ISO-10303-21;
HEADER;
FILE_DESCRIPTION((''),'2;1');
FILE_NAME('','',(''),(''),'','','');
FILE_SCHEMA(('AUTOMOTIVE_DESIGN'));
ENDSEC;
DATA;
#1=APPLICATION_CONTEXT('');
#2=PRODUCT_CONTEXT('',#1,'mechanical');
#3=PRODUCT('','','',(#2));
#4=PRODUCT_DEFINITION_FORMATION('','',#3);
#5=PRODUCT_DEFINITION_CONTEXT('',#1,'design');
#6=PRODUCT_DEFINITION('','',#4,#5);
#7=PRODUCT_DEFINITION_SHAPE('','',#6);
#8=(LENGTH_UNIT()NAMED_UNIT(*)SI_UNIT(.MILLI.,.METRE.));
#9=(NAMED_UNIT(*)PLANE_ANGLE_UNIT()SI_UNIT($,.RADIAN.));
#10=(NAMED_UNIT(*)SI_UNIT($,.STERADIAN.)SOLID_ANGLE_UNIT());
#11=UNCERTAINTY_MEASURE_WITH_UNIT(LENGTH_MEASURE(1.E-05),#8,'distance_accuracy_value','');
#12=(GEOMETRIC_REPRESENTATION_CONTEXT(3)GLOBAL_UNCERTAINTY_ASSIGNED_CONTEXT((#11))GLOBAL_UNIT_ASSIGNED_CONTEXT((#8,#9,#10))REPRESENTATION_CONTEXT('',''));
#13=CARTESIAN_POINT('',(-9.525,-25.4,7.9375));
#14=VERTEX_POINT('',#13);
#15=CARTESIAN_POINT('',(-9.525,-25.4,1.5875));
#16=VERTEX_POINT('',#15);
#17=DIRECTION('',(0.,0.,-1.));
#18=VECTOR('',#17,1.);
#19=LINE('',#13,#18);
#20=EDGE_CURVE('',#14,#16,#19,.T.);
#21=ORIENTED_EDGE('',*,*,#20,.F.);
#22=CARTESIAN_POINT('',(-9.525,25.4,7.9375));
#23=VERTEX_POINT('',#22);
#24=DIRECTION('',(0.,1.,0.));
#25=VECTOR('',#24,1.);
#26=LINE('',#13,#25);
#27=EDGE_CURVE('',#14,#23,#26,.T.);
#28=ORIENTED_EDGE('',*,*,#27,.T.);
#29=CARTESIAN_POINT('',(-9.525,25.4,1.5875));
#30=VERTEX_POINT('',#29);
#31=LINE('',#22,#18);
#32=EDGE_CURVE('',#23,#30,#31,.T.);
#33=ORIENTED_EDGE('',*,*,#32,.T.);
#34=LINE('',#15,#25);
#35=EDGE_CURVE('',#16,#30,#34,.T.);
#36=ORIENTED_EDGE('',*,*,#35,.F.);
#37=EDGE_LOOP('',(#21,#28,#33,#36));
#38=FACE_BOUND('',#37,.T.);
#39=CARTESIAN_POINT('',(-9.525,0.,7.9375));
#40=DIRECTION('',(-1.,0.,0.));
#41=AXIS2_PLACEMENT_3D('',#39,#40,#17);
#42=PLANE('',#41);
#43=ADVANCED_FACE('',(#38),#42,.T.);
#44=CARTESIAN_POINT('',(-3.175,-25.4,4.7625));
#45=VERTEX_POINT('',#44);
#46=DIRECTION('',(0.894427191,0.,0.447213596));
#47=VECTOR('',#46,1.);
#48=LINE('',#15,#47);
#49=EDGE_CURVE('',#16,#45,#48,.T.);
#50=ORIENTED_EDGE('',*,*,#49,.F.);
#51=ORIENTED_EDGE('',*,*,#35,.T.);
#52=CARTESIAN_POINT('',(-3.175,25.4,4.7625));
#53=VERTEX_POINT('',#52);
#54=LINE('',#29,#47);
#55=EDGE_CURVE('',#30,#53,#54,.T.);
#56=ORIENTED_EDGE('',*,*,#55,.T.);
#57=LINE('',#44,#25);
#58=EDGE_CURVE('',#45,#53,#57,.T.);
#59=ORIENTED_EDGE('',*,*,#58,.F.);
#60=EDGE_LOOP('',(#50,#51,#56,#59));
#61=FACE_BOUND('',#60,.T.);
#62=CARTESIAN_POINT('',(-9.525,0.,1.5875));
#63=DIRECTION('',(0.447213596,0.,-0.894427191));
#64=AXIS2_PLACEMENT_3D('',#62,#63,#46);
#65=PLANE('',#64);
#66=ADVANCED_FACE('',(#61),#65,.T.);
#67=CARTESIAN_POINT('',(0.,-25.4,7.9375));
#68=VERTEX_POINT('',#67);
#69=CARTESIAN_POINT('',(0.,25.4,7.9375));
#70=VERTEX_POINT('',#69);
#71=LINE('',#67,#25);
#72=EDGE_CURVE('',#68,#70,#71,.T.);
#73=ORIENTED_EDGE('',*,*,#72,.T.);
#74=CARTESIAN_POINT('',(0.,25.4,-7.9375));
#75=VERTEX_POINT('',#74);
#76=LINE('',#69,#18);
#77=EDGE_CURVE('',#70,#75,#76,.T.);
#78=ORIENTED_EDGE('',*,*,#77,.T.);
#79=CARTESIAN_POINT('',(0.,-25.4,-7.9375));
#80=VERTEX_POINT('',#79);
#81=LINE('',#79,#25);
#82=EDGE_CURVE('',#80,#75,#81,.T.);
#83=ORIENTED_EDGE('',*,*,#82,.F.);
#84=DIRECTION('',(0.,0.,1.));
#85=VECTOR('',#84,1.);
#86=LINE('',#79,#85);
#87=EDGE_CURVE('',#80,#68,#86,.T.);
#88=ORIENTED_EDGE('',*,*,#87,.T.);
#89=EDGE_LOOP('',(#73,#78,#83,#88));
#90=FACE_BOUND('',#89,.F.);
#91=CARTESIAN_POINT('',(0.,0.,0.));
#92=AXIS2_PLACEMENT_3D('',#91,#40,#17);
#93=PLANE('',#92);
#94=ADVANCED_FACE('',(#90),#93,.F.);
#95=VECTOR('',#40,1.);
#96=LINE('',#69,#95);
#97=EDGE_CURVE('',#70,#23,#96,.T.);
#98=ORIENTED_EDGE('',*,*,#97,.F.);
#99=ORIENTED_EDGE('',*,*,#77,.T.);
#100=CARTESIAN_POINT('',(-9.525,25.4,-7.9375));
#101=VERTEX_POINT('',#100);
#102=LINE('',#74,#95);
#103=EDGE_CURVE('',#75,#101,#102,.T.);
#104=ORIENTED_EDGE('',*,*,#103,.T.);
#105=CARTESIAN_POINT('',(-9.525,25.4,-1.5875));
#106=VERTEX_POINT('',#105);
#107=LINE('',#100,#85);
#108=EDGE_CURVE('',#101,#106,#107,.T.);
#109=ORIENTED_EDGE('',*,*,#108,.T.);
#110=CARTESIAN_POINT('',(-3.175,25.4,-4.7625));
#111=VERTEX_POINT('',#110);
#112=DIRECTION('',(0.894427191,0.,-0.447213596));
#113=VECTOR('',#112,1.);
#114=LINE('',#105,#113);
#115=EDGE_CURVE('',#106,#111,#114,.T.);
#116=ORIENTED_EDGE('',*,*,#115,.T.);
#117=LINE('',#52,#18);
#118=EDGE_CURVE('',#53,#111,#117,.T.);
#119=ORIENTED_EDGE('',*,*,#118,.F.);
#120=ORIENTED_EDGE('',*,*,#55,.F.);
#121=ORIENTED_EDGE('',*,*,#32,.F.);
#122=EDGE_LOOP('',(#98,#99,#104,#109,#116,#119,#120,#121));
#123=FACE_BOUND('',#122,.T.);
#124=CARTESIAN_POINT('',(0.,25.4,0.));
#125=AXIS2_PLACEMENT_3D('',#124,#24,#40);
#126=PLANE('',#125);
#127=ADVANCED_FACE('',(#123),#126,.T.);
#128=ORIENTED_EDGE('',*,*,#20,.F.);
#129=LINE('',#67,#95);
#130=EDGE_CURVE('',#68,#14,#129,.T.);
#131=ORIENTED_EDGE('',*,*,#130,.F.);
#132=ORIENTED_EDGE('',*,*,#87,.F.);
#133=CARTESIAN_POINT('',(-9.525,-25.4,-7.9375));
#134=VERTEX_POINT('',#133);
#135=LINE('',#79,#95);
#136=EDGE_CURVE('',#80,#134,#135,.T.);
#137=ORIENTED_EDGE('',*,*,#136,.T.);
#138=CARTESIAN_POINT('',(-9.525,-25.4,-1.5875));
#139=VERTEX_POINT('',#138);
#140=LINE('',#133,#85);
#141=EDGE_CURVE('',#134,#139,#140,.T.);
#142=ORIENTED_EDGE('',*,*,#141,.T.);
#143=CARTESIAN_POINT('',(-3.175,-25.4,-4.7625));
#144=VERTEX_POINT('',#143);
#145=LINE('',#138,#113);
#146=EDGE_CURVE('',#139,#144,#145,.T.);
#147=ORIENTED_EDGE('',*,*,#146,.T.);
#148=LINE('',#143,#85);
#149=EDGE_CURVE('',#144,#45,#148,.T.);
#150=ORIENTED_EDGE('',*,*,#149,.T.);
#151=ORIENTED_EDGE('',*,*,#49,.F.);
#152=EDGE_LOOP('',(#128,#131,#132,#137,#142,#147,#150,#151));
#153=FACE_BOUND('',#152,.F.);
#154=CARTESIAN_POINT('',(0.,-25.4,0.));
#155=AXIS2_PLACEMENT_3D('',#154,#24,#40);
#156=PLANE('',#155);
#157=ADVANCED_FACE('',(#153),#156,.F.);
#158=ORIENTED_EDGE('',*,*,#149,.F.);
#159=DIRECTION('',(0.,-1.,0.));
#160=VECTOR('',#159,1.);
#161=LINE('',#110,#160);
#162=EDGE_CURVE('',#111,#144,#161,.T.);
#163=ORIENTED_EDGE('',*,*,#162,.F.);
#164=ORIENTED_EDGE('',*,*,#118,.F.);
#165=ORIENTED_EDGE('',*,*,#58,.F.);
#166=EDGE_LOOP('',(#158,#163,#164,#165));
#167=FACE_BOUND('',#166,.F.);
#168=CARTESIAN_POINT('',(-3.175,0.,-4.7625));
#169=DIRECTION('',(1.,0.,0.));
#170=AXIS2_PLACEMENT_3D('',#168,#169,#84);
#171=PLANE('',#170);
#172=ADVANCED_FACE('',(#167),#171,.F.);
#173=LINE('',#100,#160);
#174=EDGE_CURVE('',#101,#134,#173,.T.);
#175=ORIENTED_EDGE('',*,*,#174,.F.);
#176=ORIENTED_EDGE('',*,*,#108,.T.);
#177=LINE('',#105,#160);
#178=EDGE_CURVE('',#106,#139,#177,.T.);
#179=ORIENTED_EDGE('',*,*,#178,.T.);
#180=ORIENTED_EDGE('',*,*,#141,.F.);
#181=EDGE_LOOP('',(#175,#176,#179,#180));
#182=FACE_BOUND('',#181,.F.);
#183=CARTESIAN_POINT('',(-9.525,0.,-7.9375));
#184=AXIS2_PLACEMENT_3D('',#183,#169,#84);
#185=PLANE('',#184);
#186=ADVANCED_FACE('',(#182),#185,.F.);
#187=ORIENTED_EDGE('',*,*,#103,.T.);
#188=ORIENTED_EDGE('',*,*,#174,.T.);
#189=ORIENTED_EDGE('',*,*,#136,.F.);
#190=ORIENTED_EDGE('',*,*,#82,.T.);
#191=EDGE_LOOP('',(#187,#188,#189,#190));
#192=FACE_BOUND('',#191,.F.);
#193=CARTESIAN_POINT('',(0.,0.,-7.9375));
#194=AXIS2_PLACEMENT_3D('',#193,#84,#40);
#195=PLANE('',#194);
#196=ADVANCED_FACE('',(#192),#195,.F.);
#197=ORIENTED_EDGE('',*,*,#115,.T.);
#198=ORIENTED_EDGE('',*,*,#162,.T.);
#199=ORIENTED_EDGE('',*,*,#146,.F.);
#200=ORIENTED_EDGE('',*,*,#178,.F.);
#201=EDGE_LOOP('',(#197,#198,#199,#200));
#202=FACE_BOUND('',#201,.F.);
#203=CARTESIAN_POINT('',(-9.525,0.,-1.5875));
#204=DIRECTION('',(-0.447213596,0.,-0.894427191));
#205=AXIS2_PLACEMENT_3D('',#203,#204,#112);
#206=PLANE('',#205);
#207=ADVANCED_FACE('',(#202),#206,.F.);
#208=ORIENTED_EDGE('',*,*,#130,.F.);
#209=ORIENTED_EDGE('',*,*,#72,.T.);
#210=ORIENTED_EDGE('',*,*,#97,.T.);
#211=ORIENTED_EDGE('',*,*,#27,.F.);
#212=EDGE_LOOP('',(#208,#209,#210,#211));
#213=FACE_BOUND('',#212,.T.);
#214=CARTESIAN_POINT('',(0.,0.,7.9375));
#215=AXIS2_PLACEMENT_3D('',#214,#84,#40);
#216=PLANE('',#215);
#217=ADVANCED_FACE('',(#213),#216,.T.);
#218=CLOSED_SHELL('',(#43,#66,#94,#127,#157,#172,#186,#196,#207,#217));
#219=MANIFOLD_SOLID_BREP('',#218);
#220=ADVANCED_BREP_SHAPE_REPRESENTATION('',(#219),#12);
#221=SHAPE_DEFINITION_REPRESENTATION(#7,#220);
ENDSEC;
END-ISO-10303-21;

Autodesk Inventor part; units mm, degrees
ref_plane "YZ Plane" through (0, 0, 0) normal (1, 0, 0) x (0, 1, 0)
ref_plane "XZ Plane" through (0, 0, 0) normal (0, 1, 0) x (-1, 0, 0)
ref_plane "XY Plane" through (0, 0, 0) normal (0, 0, 1) x (1, 0, 0)
sketch "Sketch2" plane through (0, 0, 0) normal (0, 1, 0) x (-1, 0, 0)
  line L0 (0, 0) -> (0, -7.9375)
  line L1 (0, -7.9375) -> (9.525, -7.9375)
  line L2 (9.525, -7.9375) -> (9.525, -1.5875)
  line L3 (9.525, -1.5875) -> (3.175, -4.7625)
  line L4 (3.175, -4.7625) -> (3.175, 0)
  line L5 (3.175, 0) -> (0, 0)
  line L6 (0, 0) -> (0, 7.9375)
  line L7 (0, 7.9375) -> (9.525, 7.9375)
  line L8 (9.525, 7.9375) -> (9.525, 1.5875)
  line L9 (9.525, 1.5875) -> (3.175, 4.7625)
  line L10 (3.175, 4.7625) -> (3.175, 0)
  dimension "d1" = 7.9375
  dimension "d2" = 9.525
  dimension "d3" = 6.35
  dimension "d4" = 4.7625
  dimension "d5" = 3.175
extrude "Extrusion1" add sketch "Sketch2" along normal mid plane 50.8
properties part number "testcombine"
